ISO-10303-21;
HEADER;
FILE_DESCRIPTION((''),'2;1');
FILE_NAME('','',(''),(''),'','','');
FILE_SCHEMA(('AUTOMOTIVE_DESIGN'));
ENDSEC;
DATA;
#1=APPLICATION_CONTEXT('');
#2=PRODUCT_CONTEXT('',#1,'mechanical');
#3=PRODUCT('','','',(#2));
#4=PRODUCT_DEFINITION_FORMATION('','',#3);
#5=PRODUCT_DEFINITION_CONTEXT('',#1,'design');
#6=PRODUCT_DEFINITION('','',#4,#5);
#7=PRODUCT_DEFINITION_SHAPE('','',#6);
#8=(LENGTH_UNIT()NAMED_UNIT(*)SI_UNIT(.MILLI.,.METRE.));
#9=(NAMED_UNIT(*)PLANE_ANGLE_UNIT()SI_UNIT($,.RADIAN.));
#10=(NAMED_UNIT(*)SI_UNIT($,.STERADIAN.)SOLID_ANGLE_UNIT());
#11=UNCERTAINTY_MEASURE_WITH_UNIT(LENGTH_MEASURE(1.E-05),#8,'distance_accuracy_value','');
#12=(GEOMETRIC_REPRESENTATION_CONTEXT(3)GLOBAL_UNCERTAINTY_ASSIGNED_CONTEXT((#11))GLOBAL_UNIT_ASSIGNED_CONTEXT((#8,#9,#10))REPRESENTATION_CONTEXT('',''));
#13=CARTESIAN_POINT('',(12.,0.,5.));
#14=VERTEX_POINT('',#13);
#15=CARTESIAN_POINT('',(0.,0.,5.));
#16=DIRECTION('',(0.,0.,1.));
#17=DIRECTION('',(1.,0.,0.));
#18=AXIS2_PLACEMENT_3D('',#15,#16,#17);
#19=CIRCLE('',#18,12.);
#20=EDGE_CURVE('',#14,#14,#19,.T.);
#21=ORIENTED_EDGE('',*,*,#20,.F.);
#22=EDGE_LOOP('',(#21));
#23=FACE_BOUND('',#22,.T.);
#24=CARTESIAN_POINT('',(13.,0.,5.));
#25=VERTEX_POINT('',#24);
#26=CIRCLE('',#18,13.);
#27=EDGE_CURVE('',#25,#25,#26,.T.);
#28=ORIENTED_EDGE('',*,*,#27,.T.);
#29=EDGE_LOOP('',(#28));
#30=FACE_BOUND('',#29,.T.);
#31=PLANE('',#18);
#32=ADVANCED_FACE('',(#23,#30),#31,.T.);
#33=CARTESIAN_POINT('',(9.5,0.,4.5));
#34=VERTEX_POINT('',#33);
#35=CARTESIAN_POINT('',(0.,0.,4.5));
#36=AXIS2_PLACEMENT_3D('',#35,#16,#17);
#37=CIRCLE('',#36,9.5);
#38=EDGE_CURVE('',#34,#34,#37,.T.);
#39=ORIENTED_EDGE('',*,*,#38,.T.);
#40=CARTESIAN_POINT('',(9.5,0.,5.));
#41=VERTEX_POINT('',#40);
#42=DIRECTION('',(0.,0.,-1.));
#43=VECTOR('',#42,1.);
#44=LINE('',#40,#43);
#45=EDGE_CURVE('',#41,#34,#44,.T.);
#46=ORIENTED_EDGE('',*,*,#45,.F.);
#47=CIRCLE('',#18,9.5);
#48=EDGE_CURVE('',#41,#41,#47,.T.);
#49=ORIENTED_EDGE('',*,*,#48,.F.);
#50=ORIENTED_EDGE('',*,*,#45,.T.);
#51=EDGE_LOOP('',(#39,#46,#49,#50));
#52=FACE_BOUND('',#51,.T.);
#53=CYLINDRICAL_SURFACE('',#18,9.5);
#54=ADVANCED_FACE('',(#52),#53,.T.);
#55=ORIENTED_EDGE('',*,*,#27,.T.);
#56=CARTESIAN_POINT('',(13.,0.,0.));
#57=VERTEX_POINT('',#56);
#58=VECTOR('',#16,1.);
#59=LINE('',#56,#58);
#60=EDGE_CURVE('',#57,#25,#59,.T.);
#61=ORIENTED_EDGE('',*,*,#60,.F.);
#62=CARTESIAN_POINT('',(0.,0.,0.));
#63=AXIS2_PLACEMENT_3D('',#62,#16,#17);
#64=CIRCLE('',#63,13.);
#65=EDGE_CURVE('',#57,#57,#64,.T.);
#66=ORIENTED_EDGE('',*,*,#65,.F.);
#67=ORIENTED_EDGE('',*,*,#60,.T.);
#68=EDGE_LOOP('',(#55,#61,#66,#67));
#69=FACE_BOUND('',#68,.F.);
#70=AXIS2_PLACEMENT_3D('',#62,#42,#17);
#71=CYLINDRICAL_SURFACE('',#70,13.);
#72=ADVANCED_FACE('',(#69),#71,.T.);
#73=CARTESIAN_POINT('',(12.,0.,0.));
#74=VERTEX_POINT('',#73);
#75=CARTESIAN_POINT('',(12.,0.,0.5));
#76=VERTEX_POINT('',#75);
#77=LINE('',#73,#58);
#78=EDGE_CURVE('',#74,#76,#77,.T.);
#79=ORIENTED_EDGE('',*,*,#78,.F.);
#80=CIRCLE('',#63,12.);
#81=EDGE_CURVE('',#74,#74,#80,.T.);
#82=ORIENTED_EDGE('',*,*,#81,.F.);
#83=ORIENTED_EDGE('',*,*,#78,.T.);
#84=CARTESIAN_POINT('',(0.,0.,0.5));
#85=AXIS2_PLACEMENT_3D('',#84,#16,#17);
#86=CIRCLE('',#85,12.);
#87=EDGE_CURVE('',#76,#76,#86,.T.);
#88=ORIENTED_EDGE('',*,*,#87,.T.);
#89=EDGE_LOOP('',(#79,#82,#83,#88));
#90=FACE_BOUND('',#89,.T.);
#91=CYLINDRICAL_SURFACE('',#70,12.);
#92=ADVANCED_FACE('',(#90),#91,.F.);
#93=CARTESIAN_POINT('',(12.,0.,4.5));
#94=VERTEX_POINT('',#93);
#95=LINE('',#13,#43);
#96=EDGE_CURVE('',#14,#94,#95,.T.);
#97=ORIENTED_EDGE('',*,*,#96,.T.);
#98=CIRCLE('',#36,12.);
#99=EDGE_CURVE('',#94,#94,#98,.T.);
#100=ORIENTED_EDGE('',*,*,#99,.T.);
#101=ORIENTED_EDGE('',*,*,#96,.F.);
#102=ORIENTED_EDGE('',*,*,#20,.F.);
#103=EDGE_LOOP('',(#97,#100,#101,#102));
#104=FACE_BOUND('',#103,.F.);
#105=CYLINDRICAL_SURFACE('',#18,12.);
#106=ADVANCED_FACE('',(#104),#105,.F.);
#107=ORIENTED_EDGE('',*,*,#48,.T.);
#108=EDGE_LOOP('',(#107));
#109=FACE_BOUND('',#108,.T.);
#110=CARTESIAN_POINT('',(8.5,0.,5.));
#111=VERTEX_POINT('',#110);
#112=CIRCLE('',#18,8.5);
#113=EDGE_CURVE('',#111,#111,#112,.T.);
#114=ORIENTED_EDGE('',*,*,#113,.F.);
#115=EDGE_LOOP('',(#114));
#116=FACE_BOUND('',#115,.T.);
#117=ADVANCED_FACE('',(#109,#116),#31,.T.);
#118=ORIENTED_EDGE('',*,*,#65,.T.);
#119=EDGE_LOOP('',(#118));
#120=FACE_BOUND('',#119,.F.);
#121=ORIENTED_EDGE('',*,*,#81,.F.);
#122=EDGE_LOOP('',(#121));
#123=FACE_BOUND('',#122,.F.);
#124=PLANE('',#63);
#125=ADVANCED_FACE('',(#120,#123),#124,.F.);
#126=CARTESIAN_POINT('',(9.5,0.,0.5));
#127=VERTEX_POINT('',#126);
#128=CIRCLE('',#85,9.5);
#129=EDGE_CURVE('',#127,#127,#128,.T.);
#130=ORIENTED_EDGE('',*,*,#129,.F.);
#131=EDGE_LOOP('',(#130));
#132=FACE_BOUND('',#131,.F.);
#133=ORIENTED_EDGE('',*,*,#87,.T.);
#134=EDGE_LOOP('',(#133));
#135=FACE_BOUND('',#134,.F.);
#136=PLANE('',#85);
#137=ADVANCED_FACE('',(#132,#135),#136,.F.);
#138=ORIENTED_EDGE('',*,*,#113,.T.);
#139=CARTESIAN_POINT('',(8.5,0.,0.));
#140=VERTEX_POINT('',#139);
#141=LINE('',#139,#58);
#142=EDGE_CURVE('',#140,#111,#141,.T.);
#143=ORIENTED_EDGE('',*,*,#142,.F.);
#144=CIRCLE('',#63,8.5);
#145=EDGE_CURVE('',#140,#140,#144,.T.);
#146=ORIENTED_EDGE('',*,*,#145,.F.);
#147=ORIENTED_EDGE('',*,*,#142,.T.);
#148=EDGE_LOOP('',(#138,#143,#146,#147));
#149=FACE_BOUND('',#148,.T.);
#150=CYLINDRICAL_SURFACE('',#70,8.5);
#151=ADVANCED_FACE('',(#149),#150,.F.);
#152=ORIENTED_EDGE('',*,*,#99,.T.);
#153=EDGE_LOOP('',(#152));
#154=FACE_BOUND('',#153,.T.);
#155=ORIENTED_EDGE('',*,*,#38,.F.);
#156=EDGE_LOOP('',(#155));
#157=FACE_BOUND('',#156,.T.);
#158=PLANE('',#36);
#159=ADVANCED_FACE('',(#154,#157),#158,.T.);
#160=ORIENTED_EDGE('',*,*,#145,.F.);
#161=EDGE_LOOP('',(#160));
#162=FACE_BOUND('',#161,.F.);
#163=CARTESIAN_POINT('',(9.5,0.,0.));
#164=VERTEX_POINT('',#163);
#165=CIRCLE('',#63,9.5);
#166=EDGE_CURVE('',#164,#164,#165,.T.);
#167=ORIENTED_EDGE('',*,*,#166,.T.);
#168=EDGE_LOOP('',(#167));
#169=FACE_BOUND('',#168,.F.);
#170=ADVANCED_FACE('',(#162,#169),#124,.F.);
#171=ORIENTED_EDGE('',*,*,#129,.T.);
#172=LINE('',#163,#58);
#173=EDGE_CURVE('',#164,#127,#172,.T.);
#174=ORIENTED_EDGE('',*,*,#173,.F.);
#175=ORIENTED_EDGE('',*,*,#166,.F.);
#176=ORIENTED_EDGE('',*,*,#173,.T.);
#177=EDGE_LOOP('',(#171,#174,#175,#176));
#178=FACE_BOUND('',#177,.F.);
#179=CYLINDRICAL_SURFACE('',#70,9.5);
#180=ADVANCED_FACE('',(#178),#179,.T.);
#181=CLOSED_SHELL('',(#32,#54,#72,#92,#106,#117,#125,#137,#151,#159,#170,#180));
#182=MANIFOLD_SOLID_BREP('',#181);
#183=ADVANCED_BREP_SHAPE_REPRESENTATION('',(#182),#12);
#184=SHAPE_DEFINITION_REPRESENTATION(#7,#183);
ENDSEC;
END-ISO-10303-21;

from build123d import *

# Parameters (mm, degrees)
SKETCH013_R     = 13
SKETCH013_R_2   = 8.5
PAD008_DEPTH    = 5
SKETCH014_R     = 12
SKETCH014_R_2   = 9.5
POCKET006_DEPTH = 0.5
SKETCH015_R     = 12
SKETCH015_R_2   = 9.5
POCKET007_DEPTH = 0.5


with BuildPart() as part:
    # Sketch013 → Pad008 (new body)
    with BuildSketch(Plane.XY):
        Circle(SKETCH013_R)
        Circle(SKETCH013_R_2, mode=Mode.SUBTRACT)
    extrude(amount=PAD008_DEPTH)

    # Sketch014 → Pocket006 (cut)
    with BuildSketch(Plane.XY.offset(5)):
        Circle(SKETCH014_R)
        Circle(SKETCH014_R_2, mode=Mode.SUBTRACT)
    extrude(amount=-POCKET006_DEPTH, mode=Mode.SUBTRACT)

    # Sketch015 → Pocket007 (cut)
    with BuildSketch(Plane.XY):
        Circle(SKETCH015_R)
        Circle(SKETCH015_R_2, mode=Mode.SUBTRACT)
    extrude(amount=POCKET007_DEPTH, mode=Mode.SUBTRACT)


solid = part.part
